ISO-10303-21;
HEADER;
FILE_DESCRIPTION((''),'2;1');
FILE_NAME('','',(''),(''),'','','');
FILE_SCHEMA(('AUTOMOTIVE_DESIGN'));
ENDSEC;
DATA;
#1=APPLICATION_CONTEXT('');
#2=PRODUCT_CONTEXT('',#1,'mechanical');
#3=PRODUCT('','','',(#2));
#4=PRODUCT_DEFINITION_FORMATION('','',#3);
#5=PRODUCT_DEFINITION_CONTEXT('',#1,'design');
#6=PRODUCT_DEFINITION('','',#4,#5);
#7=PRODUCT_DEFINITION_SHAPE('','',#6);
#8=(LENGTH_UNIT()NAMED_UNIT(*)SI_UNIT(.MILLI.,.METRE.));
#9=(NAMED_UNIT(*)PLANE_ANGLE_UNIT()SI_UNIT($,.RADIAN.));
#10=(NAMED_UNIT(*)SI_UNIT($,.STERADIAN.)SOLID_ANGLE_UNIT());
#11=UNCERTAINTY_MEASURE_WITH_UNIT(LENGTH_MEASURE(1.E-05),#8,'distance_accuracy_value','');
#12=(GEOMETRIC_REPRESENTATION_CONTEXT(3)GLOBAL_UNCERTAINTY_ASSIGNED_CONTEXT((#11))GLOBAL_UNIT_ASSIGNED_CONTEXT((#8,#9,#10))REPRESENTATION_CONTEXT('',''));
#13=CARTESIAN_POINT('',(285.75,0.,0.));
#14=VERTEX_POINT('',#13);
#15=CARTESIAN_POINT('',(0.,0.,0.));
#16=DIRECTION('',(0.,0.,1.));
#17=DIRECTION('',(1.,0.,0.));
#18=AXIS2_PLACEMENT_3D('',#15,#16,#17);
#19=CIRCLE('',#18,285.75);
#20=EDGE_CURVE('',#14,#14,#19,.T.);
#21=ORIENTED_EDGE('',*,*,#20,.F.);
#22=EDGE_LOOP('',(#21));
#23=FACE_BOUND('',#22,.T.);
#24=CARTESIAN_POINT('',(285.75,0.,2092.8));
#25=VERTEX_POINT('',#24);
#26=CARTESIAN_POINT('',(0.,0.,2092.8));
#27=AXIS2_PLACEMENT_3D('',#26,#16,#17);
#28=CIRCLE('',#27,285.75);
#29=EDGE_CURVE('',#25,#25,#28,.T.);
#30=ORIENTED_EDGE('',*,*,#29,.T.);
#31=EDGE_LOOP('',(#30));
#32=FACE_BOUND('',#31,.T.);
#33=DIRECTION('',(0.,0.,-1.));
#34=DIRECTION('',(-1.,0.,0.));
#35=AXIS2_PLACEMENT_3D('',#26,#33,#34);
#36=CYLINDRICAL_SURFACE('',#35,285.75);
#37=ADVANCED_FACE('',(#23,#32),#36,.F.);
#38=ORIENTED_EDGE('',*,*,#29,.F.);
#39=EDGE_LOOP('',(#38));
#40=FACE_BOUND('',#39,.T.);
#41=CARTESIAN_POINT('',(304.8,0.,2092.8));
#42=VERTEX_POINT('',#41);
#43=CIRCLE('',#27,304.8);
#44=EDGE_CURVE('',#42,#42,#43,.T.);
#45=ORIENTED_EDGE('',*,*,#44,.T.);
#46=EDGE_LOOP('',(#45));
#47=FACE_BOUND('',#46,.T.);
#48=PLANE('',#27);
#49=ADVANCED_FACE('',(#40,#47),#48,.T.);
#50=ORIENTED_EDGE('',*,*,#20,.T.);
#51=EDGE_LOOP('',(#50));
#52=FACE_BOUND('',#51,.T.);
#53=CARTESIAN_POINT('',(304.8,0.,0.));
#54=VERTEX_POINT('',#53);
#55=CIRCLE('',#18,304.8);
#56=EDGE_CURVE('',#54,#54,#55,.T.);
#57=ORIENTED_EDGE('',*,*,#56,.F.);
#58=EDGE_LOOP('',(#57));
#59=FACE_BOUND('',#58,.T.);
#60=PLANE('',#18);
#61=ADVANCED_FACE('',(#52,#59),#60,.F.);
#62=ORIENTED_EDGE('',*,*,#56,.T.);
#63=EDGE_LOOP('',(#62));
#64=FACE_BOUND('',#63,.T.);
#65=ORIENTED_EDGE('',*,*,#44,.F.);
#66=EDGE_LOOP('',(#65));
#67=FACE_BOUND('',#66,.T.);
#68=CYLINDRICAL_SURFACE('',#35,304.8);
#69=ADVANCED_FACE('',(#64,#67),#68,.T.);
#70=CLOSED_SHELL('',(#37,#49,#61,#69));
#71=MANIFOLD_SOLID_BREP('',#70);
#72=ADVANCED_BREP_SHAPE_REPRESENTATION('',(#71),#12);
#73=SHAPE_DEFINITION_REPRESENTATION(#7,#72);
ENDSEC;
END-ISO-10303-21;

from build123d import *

# Parameters (mm, degrees)
PIPESKETCH_R    = 304.8
PIPESKETCH_R_2  = 285.75
EXTRUSION_DEPTH = 2092.8


with BuildPart() as part:
    # PipeSketch → Extrusion (new body)
    with BuildSketch(Plane.XY):
        Circle(PIPESKETCH_R)
        Circle(PIPESKETCH_R_2, mode=Mode.SUBTRACT)
    extrude(amount=EXTRUSION_DEPTH)


solid = part.part
